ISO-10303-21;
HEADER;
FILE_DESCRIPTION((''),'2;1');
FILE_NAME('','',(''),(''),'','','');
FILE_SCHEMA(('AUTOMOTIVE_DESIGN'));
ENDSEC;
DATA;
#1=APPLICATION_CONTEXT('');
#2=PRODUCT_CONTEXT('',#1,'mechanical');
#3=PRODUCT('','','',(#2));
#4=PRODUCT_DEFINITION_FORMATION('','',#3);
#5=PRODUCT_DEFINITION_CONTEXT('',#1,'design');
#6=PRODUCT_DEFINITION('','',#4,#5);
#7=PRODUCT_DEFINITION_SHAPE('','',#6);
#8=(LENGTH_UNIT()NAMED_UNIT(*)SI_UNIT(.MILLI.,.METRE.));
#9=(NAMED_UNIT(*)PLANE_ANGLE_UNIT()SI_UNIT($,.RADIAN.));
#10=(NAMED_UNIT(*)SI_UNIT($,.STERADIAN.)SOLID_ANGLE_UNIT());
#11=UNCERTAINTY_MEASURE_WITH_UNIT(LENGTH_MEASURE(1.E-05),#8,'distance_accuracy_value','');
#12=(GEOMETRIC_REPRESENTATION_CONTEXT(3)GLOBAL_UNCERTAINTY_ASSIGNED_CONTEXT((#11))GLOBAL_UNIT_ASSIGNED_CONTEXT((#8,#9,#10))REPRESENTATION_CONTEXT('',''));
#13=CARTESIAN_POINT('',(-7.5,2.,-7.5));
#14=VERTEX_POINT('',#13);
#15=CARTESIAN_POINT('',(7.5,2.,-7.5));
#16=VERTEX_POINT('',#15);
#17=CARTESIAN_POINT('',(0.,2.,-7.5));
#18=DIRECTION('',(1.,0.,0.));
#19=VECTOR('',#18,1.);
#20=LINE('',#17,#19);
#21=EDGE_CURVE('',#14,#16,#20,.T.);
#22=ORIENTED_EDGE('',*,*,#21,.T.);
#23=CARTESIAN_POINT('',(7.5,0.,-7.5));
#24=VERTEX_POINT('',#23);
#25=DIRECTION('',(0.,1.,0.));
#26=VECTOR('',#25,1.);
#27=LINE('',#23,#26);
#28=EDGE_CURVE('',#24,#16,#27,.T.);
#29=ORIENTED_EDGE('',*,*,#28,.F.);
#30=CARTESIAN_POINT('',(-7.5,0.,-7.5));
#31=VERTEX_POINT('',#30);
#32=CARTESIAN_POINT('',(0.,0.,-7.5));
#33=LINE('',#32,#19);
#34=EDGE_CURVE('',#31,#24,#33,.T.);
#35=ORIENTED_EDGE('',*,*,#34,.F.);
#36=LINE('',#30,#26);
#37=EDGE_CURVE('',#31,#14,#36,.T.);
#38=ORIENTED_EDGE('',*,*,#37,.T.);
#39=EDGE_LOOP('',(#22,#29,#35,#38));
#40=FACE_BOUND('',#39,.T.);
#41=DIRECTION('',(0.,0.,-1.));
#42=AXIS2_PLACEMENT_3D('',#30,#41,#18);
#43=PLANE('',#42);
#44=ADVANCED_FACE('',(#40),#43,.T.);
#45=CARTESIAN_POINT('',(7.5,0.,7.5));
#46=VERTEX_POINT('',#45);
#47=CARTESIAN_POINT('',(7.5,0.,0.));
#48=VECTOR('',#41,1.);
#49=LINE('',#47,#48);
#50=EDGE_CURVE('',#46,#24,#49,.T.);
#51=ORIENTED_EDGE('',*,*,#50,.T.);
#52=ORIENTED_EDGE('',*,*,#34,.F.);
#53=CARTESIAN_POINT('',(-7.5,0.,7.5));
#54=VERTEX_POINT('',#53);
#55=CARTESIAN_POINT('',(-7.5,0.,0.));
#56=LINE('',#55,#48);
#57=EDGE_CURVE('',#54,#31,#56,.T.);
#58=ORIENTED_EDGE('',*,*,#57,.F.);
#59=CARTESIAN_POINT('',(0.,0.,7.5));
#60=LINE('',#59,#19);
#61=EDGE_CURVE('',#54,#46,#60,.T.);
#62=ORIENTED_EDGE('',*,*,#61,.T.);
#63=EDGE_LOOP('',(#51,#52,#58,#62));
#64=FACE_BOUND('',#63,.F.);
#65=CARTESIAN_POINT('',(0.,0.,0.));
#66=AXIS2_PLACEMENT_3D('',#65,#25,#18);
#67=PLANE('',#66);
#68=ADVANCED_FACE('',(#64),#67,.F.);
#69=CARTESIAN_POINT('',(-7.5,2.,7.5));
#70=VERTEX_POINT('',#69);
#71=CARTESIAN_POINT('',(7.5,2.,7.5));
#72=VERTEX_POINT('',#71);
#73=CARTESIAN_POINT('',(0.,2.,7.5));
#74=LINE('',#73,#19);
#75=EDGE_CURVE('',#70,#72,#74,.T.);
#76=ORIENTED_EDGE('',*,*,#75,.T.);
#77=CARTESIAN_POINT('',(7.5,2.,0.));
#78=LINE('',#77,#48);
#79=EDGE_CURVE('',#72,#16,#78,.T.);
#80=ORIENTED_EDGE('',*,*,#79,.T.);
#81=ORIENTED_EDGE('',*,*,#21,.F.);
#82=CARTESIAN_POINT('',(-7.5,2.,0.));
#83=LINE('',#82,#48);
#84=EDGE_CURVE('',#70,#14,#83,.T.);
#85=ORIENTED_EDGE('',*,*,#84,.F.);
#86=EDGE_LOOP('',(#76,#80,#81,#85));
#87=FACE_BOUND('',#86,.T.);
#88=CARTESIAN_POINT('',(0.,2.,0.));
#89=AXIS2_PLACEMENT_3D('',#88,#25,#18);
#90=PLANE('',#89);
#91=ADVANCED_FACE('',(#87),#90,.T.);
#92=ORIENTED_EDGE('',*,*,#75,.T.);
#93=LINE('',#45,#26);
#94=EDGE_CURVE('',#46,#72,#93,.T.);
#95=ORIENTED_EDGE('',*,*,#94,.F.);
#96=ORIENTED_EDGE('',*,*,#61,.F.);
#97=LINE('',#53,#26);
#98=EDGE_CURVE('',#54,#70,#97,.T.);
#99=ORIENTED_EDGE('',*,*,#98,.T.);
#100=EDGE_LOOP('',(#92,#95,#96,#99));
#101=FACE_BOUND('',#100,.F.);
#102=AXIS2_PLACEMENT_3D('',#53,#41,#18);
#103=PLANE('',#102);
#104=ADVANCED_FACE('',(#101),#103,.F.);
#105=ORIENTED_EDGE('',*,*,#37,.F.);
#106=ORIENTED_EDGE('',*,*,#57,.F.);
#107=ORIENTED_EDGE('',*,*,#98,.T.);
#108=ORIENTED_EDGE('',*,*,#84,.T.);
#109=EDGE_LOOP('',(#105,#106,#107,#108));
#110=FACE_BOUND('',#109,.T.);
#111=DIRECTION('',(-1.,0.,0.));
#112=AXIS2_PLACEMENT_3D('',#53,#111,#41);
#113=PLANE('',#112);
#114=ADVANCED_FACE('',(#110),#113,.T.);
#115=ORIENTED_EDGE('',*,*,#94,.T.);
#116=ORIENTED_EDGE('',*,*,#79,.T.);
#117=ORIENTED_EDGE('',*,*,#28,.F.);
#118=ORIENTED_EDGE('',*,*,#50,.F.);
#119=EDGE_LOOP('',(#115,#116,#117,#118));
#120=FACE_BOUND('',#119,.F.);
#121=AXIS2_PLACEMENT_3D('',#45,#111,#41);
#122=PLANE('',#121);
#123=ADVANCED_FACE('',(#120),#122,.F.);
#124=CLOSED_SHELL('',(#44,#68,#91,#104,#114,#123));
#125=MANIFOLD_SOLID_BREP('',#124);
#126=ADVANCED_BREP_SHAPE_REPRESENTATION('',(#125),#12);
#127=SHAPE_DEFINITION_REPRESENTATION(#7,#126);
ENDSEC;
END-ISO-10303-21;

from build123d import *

# Parameters (mm, degrees)
SKETCH1_W           = 15
SKETCH1_H           = 15
BOSS_EXTRUDE1_DEPTH = 2


with BuildPart() as part:
    # Sketch1 → Boss-Extrude1 (new body)
    with BuildSketch(Plane(origin=(0, 0, 0), x_dir=(1, 0, 0), z_dir=(0, 1, 0))):
        Rectangle(SKETCH1_W, SKETCH1_H)
    extrude(amount=BOSS_EXTRUDE1_DEPTH)


solid = part.part
